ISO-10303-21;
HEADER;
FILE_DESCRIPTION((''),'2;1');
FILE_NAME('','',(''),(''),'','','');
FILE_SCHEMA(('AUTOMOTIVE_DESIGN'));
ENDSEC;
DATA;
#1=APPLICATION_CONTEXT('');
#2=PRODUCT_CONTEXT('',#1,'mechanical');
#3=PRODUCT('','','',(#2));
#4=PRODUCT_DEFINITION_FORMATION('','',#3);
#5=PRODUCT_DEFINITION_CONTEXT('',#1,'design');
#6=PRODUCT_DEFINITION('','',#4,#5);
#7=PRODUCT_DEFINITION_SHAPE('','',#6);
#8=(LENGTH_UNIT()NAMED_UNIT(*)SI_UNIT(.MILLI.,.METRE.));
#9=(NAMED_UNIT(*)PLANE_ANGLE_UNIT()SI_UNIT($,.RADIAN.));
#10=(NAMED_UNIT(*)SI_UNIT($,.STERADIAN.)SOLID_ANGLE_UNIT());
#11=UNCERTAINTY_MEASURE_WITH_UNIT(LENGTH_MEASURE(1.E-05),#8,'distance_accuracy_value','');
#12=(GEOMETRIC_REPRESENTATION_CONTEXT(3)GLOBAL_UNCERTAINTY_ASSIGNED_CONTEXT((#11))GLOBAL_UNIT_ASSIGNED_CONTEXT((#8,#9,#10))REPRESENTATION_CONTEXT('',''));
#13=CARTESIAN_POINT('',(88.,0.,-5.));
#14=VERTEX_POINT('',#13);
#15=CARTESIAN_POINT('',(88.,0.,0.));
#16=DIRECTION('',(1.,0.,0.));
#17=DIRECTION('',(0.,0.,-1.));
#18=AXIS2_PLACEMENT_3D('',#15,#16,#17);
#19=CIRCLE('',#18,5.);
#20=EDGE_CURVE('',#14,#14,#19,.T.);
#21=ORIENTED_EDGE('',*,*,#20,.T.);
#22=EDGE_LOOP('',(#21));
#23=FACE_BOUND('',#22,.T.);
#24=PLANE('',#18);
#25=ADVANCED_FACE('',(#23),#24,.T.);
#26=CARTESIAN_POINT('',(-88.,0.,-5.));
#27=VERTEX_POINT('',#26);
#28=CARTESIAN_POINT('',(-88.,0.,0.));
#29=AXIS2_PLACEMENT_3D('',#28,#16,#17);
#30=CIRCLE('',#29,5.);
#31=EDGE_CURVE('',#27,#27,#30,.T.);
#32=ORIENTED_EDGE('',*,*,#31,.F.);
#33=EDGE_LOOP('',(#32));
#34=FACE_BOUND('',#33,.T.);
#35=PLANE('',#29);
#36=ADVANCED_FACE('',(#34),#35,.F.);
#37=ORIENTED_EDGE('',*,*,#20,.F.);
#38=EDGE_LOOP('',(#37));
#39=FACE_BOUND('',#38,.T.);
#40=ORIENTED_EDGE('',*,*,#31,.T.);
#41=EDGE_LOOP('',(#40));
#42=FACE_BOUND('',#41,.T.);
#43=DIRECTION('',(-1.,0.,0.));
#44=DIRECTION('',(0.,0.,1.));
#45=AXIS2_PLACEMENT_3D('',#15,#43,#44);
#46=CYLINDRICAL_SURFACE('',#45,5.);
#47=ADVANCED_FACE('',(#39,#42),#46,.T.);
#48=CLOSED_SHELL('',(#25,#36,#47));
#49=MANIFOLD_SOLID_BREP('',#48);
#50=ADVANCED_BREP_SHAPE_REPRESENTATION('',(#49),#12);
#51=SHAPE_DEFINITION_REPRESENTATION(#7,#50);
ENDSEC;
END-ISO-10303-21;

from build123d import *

# Parameters (mm, degrees)
SKETCH2_R           = 5
BOSS_EXTRUDE1_DEPTH = 88


with BuildPart() as part:
    # Sketch2 → Boss-Extrude1 (new body, symmetric)
    with BuildSketch(Plane(origin=(0, 0, 0), x_dir=(0, 0, -1), z_dir=(1, 0, 0))):
        Circle(SKETCH2_R)
    extrude(amount=BOSS_EXTRUDE1_DEPTH, both=True)


solid = part.part
